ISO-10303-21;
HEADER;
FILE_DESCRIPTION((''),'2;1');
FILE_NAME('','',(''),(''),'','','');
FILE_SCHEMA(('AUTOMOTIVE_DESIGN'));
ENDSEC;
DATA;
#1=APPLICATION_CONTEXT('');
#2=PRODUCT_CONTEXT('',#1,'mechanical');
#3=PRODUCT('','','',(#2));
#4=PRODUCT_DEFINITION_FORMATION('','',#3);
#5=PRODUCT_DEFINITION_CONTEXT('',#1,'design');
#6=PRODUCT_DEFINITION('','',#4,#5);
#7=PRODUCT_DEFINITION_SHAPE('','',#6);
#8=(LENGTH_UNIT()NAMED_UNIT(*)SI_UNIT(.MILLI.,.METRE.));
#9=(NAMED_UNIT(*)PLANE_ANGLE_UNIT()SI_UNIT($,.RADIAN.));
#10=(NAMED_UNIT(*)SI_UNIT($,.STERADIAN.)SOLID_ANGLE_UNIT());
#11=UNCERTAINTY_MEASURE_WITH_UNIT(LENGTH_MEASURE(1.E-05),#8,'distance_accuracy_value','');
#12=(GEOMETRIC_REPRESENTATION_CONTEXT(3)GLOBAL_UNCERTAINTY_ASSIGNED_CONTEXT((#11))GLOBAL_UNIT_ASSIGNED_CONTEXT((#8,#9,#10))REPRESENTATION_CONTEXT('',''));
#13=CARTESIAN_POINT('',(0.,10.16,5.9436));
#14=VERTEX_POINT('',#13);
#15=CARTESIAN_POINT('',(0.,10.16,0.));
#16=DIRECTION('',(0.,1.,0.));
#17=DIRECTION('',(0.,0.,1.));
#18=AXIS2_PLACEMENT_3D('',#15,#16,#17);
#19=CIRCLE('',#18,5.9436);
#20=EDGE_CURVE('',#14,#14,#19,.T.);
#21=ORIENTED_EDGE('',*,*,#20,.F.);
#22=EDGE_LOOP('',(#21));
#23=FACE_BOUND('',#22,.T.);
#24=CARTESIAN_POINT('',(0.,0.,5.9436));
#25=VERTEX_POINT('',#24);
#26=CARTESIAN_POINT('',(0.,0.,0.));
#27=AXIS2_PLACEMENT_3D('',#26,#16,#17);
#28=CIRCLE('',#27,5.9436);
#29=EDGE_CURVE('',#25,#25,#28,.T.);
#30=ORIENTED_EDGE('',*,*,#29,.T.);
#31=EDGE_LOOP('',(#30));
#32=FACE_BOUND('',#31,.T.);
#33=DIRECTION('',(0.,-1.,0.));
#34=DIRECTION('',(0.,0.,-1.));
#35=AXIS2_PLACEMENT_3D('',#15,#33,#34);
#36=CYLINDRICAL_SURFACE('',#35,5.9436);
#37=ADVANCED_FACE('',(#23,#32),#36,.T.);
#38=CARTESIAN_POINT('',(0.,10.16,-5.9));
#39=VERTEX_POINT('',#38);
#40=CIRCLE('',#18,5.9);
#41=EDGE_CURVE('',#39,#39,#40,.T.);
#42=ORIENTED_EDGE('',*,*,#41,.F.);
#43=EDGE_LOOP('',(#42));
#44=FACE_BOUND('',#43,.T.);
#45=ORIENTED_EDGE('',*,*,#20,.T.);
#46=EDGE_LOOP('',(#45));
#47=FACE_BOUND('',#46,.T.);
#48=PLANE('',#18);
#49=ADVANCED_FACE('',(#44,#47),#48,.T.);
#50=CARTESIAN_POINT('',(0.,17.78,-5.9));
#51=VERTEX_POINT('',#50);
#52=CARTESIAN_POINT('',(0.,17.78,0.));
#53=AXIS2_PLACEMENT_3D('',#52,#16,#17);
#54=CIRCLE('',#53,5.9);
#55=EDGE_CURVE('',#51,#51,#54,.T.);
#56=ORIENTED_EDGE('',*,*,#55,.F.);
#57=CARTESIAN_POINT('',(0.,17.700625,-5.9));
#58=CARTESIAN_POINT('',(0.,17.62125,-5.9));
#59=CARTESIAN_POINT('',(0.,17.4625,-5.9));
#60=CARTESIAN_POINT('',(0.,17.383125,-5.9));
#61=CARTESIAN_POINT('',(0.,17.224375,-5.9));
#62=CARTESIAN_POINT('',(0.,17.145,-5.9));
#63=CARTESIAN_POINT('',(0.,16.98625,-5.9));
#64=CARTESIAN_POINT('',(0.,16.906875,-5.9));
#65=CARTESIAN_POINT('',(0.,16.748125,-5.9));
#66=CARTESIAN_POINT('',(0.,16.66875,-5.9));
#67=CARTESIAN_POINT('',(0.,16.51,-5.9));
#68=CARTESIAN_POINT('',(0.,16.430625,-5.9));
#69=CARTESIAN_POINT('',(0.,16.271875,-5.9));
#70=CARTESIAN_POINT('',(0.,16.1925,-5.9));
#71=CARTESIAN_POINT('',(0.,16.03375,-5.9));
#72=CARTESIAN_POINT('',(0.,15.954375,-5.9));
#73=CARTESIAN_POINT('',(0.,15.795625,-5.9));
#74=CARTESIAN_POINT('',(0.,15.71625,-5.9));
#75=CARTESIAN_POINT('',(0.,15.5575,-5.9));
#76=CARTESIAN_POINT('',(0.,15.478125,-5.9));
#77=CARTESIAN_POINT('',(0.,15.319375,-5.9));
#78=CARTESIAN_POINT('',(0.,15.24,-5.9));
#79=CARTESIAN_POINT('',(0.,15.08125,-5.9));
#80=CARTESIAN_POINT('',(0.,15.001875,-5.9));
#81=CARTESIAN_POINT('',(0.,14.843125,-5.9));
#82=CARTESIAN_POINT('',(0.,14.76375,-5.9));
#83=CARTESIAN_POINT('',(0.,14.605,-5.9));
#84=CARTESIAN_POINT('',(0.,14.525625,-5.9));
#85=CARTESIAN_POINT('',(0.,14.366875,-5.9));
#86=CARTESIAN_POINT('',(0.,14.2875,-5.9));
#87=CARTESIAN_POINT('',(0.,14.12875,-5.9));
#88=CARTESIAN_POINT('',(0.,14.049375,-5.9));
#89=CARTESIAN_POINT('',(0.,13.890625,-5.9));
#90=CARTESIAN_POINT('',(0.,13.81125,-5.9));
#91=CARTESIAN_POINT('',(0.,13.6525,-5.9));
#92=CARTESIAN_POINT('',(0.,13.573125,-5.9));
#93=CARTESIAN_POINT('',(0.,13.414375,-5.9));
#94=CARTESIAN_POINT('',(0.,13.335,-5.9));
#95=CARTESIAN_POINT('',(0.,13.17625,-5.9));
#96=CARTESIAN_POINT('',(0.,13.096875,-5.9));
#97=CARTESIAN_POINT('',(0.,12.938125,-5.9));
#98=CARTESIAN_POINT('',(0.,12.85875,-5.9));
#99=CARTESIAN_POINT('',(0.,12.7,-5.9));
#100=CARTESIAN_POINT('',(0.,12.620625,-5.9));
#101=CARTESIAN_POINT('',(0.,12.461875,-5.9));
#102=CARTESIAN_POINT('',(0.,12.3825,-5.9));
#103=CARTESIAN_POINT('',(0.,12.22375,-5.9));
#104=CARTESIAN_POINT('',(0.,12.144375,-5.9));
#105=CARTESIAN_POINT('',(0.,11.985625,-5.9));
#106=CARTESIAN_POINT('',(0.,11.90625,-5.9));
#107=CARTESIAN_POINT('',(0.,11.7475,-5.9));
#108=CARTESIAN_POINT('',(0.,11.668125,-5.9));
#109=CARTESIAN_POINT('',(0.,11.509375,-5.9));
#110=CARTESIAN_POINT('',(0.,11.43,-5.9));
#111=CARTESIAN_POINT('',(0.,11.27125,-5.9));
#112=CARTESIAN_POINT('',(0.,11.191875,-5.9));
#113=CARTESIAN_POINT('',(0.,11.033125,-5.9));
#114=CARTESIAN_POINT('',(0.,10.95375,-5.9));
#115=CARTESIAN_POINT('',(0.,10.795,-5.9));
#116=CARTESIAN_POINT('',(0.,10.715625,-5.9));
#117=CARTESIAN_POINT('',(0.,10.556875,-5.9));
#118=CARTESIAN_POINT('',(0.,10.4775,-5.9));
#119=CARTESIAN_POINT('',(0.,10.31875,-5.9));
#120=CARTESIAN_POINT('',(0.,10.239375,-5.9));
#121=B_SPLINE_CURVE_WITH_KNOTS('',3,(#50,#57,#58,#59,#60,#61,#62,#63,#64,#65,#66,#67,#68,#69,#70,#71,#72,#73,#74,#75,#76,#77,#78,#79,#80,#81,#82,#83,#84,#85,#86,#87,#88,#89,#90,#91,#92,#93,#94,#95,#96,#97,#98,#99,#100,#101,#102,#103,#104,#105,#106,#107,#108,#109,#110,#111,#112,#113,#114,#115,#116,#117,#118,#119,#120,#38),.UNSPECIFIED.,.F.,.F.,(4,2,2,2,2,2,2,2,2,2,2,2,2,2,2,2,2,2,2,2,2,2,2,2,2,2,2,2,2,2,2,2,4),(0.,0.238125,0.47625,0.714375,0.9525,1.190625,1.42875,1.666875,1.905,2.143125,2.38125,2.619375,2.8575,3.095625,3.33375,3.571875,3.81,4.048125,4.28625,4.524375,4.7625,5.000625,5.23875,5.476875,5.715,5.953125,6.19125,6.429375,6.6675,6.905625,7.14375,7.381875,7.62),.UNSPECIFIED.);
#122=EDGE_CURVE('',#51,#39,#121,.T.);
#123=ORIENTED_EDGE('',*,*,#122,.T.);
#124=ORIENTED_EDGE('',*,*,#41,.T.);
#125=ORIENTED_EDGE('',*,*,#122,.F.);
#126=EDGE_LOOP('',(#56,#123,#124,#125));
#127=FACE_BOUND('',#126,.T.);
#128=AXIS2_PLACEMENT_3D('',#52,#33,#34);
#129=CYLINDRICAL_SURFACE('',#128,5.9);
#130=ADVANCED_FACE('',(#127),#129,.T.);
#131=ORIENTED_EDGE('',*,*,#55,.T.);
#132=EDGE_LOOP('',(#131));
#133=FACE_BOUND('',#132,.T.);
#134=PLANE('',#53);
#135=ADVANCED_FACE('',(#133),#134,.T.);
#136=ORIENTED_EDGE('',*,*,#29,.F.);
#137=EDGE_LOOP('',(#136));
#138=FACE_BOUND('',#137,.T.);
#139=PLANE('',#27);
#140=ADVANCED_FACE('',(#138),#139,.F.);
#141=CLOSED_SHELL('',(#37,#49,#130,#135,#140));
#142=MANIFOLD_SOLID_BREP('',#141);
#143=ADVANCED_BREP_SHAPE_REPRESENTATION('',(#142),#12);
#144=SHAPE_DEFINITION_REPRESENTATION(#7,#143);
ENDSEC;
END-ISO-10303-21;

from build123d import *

# Parameters (mm, degrees)
SKETCH1_R           = 5.9436
BOSS_EXTRUDE1_DEPTH = 10.16
SKETCH2_R           = 5.9
BOSS_EXTRUDE2_DEPTH = 7.62


with BuildPart() as part:
    # Sketch1 → Boss-Extrude1 (new body)
    with BuildSketch(Plane(origin=(0, 0, 0), x_dir=(1, 0, 0), z_dir=(0, 1, 0))):
        with Locations(Location((0, 0, 0), (0, 0, 270))):
            Circle(SKETCH1_R)
    extrude(amount=BOSS_EXTRUDE1_DEPTH)

    # Sketch2 → Boss-Extrude2 (add)
    with BuildSketch(Plane(origin=(0, 10.16, 0), x_dir=(1, 0, 0), z_dir=(0, 1, 0))):
        with Locations(Location((0, 0, 0), (0, 0, 90))):
            Circle(SKETCH2_R)
    extrude(amount=BOSS_EXTRUDE2_DEPTH)


solid = part.part
